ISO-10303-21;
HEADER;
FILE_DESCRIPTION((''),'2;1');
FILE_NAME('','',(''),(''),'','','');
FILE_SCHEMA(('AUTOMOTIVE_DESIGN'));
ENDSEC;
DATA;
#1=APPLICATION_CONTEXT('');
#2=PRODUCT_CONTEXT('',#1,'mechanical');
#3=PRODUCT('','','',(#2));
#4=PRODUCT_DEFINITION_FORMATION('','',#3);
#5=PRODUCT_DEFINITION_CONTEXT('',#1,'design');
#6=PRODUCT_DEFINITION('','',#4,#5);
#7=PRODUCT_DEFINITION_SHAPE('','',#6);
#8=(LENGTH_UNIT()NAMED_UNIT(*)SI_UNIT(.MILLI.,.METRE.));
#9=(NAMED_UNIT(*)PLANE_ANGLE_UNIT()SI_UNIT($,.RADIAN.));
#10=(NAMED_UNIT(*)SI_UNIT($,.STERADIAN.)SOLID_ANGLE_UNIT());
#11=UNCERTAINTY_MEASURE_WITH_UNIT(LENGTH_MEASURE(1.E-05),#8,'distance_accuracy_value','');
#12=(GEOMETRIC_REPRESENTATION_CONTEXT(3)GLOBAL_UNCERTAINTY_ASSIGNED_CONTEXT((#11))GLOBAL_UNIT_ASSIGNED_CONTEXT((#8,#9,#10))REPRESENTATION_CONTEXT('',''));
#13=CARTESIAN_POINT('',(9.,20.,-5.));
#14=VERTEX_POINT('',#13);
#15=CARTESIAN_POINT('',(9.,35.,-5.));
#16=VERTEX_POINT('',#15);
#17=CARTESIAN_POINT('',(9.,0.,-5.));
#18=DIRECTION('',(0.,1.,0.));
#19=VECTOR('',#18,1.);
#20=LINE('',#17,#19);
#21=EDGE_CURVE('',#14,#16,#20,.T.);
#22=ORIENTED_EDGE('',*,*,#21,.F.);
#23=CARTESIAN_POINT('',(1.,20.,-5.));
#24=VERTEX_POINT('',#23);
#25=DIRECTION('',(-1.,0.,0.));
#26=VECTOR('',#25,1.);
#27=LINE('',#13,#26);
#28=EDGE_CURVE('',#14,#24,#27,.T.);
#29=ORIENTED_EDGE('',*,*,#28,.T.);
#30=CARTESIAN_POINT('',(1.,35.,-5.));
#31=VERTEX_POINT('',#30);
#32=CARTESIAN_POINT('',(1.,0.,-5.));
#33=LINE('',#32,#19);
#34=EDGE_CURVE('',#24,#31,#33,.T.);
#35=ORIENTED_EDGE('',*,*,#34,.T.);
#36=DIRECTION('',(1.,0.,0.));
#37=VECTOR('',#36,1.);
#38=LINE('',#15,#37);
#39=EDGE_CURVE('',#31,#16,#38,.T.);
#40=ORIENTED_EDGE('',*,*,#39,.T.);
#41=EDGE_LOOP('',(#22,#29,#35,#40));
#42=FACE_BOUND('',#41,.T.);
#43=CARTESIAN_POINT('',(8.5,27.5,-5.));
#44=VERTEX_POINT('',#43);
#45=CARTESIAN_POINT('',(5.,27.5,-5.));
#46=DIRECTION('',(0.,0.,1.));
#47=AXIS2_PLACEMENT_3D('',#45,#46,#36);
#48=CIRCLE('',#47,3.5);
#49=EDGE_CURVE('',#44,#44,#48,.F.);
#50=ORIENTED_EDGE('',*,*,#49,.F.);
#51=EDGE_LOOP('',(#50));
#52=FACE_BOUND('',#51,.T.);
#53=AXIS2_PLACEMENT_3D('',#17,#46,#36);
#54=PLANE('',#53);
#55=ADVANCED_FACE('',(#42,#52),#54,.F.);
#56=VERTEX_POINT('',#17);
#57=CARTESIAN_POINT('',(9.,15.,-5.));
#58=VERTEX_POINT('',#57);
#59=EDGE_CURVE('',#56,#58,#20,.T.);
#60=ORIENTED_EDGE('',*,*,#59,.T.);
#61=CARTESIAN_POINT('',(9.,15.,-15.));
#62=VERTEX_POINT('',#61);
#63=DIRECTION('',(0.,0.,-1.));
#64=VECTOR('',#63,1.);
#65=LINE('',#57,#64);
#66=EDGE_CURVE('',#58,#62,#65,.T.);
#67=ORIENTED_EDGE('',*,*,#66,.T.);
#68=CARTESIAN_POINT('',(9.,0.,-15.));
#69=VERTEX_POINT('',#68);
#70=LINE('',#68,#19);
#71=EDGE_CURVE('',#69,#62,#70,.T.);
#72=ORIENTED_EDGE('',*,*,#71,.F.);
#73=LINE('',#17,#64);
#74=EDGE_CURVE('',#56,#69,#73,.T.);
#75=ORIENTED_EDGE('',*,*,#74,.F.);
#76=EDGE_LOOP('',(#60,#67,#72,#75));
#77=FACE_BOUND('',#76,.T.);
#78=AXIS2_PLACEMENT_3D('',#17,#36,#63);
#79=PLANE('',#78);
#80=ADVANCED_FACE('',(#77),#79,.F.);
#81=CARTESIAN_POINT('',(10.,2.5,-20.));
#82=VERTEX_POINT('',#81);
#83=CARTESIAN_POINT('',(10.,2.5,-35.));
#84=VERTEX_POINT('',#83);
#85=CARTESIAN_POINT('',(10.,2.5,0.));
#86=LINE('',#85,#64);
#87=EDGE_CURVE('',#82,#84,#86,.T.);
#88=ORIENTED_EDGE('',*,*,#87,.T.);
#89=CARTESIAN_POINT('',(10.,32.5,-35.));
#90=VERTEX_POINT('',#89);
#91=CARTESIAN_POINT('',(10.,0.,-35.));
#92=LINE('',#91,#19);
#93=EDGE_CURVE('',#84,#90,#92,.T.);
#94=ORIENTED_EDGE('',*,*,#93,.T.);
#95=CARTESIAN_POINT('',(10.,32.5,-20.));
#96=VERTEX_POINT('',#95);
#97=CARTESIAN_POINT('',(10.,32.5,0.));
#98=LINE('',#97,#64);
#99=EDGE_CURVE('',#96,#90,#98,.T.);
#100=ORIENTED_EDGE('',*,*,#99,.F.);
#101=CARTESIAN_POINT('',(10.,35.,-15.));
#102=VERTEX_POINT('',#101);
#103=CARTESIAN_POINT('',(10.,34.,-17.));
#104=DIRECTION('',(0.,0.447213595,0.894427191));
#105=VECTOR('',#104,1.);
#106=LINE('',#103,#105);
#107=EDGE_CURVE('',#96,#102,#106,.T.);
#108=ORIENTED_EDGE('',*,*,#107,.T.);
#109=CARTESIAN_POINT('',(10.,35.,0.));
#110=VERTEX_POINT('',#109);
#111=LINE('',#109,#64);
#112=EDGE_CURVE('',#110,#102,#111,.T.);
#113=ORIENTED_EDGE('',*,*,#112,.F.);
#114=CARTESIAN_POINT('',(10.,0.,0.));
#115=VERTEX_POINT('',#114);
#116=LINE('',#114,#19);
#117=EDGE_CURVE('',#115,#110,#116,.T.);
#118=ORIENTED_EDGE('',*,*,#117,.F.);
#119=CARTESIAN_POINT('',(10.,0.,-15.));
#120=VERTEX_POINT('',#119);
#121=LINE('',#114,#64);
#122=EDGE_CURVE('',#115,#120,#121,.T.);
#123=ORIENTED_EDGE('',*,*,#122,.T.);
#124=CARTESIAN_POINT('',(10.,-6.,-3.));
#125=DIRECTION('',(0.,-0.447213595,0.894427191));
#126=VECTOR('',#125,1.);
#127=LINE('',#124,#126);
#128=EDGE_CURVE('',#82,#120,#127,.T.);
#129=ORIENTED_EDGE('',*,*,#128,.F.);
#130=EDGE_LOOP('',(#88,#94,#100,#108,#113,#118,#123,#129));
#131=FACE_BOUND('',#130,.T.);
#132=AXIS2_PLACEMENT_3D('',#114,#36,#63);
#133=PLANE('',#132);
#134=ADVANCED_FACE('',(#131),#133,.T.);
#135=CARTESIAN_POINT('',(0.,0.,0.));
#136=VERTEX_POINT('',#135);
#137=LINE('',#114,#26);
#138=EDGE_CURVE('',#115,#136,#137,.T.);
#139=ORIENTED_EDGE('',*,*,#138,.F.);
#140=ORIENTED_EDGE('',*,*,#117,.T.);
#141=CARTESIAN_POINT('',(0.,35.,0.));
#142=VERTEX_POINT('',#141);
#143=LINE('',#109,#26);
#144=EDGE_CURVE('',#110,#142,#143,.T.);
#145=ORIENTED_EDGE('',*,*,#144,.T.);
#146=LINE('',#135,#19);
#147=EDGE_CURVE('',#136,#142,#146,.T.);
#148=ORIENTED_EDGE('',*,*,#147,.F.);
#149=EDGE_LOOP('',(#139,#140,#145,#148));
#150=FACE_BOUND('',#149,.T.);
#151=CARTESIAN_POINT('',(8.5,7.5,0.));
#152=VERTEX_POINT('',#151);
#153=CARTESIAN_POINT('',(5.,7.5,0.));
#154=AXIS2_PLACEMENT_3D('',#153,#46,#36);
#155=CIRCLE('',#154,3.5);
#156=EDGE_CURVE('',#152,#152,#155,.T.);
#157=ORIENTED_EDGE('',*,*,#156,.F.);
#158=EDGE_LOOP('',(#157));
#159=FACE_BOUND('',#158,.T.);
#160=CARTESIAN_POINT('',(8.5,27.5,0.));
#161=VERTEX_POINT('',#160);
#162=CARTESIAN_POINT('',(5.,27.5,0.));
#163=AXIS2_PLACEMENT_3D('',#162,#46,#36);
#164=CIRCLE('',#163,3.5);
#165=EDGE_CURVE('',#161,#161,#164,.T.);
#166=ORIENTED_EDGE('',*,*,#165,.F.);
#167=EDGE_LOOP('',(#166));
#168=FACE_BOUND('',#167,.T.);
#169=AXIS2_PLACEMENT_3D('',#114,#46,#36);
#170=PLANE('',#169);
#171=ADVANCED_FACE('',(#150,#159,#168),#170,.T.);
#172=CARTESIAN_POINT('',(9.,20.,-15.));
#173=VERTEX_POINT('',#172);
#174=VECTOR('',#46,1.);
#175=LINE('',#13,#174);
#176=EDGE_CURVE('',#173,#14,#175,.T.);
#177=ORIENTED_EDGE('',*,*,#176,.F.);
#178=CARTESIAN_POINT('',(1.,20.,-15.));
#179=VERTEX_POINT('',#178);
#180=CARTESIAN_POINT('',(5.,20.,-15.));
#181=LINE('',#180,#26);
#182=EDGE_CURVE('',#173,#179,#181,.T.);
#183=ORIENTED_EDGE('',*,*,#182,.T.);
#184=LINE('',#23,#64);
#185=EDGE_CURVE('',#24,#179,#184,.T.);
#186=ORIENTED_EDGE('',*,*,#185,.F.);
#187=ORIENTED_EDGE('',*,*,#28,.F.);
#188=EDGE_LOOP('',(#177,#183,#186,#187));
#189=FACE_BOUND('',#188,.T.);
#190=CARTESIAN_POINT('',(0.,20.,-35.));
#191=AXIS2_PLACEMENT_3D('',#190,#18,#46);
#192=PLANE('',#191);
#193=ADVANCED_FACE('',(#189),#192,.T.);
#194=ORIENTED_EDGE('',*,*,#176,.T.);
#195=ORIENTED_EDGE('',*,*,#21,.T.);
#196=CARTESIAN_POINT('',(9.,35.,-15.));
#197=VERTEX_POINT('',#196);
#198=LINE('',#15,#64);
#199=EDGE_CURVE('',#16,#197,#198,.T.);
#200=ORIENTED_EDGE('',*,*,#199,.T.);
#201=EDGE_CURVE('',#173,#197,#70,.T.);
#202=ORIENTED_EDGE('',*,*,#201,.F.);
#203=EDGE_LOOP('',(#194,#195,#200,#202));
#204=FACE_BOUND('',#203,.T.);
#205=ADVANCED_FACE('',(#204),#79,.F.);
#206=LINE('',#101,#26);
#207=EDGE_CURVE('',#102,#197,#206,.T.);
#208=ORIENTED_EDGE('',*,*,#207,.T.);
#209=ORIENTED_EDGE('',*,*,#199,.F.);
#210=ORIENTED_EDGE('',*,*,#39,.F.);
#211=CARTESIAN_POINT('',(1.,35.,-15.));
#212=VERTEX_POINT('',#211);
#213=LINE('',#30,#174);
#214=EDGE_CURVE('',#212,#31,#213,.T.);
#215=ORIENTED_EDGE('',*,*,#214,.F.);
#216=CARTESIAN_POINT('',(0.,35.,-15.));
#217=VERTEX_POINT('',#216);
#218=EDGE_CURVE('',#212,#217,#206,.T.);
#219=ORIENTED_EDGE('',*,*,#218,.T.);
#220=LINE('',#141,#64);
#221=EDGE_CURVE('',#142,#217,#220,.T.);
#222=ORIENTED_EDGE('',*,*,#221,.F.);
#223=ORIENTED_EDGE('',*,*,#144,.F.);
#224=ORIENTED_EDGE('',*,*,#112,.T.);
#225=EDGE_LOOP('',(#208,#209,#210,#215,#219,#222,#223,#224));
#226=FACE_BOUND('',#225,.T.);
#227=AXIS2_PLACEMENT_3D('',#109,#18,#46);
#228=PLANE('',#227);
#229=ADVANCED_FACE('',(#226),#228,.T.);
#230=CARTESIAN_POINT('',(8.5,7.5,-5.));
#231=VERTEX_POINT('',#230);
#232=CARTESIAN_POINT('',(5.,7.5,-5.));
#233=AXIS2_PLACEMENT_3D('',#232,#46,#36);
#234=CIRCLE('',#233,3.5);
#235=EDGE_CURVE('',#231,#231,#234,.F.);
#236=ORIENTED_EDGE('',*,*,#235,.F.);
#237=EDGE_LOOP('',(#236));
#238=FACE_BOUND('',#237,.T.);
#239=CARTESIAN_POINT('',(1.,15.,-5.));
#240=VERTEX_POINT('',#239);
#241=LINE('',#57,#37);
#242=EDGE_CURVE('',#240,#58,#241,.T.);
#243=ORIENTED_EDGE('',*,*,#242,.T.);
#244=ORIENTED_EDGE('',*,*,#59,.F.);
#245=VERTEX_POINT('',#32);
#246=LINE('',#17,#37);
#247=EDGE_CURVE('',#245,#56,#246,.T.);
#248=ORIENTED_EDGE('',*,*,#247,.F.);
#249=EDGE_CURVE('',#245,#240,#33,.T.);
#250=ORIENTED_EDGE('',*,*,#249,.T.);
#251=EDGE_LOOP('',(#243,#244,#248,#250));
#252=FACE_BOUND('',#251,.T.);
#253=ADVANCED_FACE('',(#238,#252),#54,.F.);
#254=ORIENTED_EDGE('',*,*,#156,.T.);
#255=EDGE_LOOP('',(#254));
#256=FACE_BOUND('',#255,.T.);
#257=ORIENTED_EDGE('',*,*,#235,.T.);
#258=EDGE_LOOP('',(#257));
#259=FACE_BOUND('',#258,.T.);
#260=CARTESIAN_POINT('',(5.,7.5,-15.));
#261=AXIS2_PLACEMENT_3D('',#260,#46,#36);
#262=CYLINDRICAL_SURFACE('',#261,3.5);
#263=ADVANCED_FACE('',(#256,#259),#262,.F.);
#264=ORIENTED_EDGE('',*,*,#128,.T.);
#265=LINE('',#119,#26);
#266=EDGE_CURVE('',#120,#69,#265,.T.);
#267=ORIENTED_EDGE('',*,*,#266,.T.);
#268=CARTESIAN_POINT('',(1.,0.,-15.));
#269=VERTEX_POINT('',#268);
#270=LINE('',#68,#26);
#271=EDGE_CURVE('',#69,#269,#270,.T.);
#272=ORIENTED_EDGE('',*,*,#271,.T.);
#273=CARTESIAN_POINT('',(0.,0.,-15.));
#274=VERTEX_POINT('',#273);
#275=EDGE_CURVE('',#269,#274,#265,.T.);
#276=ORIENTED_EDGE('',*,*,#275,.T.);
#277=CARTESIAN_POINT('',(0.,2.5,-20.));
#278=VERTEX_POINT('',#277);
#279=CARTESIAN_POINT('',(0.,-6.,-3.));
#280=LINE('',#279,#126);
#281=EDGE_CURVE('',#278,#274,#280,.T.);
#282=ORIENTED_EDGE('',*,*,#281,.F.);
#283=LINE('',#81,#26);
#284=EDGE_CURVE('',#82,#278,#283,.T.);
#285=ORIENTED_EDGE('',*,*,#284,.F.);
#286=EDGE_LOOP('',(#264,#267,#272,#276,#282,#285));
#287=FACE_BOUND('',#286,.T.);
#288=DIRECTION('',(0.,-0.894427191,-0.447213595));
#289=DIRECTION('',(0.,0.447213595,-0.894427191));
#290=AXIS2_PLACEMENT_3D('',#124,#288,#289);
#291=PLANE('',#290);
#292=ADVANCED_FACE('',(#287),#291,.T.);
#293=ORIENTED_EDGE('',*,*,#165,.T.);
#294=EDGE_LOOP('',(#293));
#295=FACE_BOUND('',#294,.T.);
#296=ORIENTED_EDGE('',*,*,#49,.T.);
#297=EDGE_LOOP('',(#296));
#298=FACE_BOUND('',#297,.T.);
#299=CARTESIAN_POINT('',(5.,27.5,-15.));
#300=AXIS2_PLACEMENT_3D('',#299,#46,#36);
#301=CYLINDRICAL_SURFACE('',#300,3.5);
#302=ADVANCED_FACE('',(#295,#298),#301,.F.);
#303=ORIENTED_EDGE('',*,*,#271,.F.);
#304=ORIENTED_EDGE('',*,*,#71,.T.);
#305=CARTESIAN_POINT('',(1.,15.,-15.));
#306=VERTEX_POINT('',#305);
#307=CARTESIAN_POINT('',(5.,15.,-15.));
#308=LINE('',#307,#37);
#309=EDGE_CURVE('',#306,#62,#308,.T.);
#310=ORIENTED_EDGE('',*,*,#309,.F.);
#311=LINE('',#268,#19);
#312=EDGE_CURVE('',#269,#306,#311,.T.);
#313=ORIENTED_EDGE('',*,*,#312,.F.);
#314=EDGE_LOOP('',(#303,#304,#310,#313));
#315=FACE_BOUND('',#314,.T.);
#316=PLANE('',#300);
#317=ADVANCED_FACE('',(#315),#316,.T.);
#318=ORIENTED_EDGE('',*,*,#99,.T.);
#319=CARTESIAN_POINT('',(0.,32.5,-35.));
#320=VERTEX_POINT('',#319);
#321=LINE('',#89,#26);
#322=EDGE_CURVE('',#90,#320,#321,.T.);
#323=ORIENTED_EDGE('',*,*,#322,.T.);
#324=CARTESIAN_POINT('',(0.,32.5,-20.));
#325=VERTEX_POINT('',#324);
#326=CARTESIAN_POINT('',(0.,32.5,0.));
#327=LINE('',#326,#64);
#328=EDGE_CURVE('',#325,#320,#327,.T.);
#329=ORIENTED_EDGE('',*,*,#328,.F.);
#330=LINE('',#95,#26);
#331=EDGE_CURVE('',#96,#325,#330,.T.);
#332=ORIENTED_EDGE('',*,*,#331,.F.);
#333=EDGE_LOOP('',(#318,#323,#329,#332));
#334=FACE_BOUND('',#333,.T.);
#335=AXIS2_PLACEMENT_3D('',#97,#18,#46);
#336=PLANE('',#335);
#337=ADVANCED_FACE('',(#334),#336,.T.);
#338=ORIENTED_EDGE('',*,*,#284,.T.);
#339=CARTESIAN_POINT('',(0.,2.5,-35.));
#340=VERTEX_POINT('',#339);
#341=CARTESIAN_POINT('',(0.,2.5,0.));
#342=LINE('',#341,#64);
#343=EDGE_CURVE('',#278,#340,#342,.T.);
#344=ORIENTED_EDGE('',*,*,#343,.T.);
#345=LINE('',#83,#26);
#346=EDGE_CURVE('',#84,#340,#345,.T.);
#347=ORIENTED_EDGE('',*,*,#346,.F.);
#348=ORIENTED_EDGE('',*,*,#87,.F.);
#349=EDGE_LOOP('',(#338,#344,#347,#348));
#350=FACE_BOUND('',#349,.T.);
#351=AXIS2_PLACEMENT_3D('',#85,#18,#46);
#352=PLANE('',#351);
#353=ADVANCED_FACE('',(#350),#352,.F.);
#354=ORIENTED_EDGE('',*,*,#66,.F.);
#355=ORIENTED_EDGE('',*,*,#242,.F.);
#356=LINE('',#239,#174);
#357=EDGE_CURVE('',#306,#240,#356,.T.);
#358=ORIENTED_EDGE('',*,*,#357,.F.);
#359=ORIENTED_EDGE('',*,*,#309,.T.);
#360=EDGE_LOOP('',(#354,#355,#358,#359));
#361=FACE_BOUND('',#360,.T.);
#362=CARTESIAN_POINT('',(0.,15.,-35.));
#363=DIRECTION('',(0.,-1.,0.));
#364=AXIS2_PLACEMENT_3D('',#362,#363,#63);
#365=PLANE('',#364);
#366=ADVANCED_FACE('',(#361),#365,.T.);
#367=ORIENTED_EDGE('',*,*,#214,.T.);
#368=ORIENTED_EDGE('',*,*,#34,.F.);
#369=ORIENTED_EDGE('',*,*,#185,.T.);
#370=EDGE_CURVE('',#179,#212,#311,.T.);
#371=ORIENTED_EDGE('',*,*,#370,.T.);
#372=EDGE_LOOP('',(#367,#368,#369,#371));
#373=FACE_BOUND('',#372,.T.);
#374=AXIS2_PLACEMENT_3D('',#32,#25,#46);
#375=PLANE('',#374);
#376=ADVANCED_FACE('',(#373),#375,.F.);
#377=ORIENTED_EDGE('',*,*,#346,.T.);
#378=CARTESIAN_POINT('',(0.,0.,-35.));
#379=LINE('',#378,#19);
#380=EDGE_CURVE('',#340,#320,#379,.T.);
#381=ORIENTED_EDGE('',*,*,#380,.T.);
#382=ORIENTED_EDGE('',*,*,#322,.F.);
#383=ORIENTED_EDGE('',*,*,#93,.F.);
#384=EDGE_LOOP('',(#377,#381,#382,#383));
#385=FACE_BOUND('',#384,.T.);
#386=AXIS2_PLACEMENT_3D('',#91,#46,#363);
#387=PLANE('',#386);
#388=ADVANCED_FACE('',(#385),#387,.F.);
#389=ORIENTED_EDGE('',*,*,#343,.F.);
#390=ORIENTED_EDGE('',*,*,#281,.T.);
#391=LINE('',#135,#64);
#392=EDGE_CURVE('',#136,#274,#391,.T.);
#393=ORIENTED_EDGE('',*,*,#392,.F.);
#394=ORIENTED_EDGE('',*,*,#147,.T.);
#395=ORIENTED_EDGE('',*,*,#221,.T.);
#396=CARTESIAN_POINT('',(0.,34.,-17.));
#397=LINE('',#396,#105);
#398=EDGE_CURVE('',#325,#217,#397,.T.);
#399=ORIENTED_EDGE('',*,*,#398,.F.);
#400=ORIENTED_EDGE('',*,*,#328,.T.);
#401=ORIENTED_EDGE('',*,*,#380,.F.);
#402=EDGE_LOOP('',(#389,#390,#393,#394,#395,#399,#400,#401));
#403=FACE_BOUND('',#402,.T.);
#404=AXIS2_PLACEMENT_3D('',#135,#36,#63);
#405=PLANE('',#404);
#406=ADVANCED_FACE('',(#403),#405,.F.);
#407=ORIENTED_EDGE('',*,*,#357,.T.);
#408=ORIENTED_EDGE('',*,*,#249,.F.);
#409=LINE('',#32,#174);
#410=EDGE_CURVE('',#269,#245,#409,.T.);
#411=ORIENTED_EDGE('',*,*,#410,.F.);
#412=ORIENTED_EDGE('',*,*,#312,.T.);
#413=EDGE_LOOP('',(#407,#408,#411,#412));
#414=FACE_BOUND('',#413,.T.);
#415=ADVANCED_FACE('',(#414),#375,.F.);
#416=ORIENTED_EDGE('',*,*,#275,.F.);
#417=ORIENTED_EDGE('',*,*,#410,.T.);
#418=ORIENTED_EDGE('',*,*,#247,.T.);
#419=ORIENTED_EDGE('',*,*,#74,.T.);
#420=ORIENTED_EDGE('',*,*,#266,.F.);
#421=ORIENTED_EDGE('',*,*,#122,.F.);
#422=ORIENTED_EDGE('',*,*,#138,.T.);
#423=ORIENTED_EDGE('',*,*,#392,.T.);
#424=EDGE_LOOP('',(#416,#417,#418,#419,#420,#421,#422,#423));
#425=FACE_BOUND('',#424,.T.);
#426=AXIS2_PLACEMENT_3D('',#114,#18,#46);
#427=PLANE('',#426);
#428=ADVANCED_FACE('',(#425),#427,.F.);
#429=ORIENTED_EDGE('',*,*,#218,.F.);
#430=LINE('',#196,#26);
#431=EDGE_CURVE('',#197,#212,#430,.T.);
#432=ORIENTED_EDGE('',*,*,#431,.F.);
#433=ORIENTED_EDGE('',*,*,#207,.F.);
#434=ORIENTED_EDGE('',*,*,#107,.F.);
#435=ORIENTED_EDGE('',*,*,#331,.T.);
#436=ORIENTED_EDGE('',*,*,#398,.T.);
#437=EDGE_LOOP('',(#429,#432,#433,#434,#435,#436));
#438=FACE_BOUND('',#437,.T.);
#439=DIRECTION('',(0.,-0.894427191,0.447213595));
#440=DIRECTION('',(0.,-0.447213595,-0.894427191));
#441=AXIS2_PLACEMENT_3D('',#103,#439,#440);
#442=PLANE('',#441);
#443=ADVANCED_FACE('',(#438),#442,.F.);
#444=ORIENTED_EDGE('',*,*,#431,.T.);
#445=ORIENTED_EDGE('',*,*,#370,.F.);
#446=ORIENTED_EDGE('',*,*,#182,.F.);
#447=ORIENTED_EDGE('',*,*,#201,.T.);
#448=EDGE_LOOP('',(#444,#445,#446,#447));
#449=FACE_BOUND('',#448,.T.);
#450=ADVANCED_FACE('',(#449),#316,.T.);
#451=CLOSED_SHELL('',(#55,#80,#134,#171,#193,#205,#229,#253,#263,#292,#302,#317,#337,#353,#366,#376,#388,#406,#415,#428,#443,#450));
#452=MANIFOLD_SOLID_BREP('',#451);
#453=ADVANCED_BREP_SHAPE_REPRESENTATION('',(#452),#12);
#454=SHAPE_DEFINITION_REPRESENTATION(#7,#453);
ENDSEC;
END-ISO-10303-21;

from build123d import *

# Parameters (mm, degrees)
SKETCH1_W           = 15
SKETCH1_H           = 30
BOSS_EXTRUDE1_DEPTH = 10
SKETCH2_R           = 3.5
CUT_EXTRUDE1_DEPTH  = 15
SKETCH3_W           = 8
SKETCH3_H           = 10
CUT_EXTRUDE2_DEPTH  = 35
SKETCH4_W           = 10
SKETCH4_H           = 5
BOSS_EXTRUDE2_DEPTH = 35


with BuildPart() as part:
    # Sketch1 → Boss-Extrude1 (new body)
    with BuildSketch(Plane(origin=(0, 0, 0), x_dir=(0, 0, -1), z_dir=(1, 0, 0))):
        with Locations((27.5, 17.5)):
            Rectangle(SKETCH1_W, SKETCH1_H)
        Polygon((20, 2.5), (20, 32.5), (15, 35), (0, 35), (0, 0), (15, 0), align=None)
    extrude(amount=BOSS_EXTRUDE1_DEPTH)

    # Sketch2 → Cut-Extrude1 (cut)
    with BuildSketch(Plane.XY):
        with Locations((5, 27.5)):
            Circle(SKETCH2_R)
        with Locations((5, 7.5)):
            Circle(SKETCH2_R)
    extrude(amount=-CUT_EXTRUDE1_DEPTH, mode=Mode.SUBTRACT)

    # Sketch3 → Cut-Extrude2 (cut)
    with BuildSketch(Plane(origin=(0, 35, 0), x_dir=(1, 0, 0), z_dir=(0, 1, 0))):
        with Locations((5, 10)):
            Rectangle(SKETCH3_W, SKETCH3_H)
    extrude(amount=-CUT_EXTRUDE2_DEPTH, mode=Mode.SUBTRACT)

    # Sketch4 → Boss-Extrude2 (add)
    with BuildSketch(Plane.XY):
        with Locations((5, 17.5)):
            Rectangle(SKETCH4_W, SKETCH4_H)
    extrude(amount=-BOSS_EXTRUDE2_DEPTH)


solid = part.part
